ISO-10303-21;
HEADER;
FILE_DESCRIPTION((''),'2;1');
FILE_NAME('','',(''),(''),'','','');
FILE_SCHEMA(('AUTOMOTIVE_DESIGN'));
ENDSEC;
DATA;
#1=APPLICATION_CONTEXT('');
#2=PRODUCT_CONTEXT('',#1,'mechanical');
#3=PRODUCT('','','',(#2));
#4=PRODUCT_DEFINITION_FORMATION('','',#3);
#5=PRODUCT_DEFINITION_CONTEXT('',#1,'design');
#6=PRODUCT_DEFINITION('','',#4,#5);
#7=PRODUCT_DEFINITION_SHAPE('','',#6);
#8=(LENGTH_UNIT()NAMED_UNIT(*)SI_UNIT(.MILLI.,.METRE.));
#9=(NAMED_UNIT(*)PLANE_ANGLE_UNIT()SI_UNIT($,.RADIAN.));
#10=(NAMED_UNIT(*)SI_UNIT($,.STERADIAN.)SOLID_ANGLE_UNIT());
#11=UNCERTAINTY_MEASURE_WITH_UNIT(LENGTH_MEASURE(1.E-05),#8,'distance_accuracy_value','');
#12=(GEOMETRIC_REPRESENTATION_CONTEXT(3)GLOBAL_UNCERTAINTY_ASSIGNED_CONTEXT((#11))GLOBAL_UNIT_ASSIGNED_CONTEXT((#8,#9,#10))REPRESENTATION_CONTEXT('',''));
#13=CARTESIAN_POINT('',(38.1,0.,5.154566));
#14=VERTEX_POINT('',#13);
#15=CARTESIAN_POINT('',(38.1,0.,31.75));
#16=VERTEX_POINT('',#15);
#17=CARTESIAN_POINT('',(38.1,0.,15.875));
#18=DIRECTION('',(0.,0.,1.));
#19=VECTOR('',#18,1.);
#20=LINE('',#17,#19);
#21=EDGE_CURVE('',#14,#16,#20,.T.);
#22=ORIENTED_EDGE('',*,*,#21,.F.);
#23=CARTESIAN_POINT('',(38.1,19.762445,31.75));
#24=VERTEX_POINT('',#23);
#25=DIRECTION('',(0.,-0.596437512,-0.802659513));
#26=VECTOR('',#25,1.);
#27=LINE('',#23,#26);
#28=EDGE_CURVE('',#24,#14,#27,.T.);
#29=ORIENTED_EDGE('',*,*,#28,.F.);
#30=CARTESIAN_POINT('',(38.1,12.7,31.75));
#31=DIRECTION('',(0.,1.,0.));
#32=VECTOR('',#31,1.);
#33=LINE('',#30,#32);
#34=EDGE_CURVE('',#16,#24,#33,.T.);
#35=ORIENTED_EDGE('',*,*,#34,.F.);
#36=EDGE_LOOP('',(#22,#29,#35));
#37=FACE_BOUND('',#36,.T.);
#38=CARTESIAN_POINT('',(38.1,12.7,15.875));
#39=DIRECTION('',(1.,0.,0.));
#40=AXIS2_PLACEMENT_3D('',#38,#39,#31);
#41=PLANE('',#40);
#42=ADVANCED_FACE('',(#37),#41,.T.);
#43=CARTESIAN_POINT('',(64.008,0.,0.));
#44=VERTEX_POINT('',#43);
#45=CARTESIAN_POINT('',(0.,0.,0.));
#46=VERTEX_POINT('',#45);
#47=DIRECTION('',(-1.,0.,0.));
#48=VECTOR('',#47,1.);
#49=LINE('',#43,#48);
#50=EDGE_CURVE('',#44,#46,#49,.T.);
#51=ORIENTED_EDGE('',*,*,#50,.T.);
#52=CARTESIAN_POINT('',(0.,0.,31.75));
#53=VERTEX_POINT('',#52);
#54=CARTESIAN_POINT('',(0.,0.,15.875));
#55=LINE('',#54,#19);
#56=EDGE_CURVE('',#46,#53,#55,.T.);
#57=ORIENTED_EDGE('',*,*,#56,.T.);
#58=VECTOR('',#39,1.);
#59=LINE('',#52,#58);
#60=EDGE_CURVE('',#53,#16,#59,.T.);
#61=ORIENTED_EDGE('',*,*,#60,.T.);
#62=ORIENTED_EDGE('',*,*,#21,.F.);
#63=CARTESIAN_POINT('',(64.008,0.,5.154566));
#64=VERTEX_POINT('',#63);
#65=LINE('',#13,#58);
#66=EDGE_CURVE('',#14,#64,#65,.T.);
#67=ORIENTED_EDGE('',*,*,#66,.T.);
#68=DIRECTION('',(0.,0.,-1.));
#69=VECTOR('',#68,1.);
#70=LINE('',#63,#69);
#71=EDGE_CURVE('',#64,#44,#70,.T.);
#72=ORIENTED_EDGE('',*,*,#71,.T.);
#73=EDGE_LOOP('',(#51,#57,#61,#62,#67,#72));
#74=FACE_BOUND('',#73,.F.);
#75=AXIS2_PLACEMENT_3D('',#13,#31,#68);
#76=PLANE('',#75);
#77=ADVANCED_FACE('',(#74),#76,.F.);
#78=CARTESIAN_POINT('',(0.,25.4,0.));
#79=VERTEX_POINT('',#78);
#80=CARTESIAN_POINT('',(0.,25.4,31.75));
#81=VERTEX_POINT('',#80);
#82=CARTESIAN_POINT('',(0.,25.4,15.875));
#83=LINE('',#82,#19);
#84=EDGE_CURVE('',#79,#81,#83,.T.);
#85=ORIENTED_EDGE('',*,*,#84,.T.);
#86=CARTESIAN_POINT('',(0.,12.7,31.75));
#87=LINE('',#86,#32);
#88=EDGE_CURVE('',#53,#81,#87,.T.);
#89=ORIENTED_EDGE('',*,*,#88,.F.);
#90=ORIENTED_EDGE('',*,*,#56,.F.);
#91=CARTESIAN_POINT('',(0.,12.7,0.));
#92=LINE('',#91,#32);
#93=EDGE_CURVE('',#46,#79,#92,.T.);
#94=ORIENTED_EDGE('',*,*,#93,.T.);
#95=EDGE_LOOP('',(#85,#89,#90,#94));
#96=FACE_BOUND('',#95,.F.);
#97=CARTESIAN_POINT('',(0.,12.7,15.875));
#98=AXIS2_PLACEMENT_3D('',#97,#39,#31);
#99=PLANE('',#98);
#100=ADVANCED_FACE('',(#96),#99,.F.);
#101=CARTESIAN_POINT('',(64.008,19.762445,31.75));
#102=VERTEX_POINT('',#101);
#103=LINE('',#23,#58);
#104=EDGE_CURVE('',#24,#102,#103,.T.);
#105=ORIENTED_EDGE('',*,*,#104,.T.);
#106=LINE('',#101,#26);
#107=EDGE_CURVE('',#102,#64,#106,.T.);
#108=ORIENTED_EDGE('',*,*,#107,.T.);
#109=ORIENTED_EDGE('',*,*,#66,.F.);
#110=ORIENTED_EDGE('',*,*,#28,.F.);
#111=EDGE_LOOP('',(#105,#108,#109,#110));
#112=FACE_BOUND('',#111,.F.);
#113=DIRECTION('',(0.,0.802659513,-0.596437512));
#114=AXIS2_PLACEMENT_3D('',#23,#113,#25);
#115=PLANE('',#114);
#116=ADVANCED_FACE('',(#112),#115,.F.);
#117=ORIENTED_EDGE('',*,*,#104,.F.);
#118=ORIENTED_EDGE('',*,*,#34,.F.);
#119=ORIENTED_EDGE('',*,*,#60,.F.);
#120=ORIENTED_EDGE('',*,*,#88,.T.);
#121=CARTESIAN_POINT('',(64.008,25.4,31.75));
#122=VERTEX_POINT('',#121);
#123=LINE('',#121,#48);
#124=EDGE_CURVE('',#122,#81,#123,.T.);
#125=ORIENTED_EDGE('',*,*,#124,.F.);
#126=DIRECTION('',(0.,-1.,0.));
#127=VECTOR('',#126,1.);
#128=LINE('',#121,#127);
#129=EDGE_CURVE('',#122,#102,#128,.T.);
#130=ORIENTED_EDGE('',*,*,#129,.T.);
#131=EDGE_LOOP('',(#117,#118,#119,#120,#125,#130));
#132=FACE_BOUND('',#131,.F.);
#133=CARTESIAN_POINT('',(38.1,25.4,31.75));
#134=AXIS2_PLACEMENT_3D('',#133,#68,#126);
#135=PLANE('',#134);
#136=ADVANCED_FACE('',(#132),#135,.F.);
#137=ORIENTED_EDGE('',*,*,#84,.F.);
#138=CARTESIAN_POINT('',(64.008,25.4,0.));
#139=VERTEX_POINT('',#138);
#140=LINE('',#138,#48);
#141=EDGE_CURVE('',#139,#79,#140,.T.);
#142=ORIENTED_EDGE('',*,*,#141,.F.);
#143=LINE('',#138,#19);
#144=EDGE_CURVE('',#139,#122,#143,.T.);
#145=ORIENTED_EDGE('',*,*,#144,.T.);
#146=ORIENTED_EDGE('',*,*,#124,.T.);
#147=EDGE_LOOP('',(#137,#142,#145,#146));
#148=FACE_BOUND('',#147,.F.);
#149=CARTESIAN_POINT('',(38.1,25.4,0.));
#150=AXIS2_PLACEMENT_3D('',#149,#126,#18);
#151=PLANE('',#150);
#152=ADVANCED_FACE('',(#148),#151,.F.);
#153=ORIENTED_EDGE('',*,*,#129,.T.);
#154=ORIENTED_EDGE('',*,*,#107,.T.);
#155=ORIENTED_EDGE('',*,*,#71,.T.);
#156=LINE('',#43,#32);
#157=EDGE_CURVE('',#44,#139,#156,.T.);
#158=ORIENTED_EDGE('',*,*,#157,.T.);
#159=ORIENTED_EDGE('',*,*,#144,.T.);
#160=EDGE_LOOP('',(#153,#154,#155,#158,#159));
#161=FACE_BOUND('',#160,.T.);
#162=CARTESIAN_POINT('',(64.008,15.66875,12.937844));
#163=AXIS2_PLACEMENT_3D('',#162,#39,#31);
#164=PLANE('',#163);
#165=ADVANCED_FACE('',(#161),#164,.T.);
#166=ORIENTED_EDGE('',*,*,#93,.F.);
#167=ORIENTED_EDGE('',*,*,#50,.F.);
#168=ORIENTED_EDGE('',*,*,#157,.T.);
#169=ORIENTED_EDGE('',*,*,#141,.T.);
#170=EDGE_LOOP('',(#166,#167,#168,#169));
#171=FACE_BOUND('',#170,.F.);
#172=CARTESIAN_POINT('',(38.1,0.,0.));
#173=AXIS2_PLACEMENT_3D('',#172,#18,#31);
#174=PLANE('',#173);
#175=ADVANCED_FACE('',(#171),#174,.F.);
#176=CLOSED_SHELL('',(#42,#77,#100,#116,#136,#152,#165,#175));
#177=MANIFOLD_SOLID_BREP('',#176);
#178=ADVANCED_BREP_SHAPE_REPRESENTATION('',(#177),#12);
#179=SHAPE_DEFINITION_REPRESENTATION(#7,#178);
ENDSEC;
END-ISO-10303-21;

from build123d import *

# Parameters (mm, degrees)
F0_W     = 25.4
F0_H     = 31.75
F1_DEPTH = 38.1
F3_DEPTH = 25.908


with BuildPart() as f1:
    # F0 (on Right) → F1 (new body)
    with BuildSketch(Plane.YZ):
        with Locations((12.7, 15.875)):
            Rectangle(F0_W, F0_H)
    extrude(amount=F1_DEPTH)

    # F2 (on face) → F3 (join)
    with BuildSketch(Plane.YZ.offset(38.1)):
        Polygon((25.4, 31.75), (19.762445, 31.75), (0, 5.154566), (0, 0), (25.4, 0), align=None)
    extrude(amount=F3_DEPTH)


solid = f1.part
